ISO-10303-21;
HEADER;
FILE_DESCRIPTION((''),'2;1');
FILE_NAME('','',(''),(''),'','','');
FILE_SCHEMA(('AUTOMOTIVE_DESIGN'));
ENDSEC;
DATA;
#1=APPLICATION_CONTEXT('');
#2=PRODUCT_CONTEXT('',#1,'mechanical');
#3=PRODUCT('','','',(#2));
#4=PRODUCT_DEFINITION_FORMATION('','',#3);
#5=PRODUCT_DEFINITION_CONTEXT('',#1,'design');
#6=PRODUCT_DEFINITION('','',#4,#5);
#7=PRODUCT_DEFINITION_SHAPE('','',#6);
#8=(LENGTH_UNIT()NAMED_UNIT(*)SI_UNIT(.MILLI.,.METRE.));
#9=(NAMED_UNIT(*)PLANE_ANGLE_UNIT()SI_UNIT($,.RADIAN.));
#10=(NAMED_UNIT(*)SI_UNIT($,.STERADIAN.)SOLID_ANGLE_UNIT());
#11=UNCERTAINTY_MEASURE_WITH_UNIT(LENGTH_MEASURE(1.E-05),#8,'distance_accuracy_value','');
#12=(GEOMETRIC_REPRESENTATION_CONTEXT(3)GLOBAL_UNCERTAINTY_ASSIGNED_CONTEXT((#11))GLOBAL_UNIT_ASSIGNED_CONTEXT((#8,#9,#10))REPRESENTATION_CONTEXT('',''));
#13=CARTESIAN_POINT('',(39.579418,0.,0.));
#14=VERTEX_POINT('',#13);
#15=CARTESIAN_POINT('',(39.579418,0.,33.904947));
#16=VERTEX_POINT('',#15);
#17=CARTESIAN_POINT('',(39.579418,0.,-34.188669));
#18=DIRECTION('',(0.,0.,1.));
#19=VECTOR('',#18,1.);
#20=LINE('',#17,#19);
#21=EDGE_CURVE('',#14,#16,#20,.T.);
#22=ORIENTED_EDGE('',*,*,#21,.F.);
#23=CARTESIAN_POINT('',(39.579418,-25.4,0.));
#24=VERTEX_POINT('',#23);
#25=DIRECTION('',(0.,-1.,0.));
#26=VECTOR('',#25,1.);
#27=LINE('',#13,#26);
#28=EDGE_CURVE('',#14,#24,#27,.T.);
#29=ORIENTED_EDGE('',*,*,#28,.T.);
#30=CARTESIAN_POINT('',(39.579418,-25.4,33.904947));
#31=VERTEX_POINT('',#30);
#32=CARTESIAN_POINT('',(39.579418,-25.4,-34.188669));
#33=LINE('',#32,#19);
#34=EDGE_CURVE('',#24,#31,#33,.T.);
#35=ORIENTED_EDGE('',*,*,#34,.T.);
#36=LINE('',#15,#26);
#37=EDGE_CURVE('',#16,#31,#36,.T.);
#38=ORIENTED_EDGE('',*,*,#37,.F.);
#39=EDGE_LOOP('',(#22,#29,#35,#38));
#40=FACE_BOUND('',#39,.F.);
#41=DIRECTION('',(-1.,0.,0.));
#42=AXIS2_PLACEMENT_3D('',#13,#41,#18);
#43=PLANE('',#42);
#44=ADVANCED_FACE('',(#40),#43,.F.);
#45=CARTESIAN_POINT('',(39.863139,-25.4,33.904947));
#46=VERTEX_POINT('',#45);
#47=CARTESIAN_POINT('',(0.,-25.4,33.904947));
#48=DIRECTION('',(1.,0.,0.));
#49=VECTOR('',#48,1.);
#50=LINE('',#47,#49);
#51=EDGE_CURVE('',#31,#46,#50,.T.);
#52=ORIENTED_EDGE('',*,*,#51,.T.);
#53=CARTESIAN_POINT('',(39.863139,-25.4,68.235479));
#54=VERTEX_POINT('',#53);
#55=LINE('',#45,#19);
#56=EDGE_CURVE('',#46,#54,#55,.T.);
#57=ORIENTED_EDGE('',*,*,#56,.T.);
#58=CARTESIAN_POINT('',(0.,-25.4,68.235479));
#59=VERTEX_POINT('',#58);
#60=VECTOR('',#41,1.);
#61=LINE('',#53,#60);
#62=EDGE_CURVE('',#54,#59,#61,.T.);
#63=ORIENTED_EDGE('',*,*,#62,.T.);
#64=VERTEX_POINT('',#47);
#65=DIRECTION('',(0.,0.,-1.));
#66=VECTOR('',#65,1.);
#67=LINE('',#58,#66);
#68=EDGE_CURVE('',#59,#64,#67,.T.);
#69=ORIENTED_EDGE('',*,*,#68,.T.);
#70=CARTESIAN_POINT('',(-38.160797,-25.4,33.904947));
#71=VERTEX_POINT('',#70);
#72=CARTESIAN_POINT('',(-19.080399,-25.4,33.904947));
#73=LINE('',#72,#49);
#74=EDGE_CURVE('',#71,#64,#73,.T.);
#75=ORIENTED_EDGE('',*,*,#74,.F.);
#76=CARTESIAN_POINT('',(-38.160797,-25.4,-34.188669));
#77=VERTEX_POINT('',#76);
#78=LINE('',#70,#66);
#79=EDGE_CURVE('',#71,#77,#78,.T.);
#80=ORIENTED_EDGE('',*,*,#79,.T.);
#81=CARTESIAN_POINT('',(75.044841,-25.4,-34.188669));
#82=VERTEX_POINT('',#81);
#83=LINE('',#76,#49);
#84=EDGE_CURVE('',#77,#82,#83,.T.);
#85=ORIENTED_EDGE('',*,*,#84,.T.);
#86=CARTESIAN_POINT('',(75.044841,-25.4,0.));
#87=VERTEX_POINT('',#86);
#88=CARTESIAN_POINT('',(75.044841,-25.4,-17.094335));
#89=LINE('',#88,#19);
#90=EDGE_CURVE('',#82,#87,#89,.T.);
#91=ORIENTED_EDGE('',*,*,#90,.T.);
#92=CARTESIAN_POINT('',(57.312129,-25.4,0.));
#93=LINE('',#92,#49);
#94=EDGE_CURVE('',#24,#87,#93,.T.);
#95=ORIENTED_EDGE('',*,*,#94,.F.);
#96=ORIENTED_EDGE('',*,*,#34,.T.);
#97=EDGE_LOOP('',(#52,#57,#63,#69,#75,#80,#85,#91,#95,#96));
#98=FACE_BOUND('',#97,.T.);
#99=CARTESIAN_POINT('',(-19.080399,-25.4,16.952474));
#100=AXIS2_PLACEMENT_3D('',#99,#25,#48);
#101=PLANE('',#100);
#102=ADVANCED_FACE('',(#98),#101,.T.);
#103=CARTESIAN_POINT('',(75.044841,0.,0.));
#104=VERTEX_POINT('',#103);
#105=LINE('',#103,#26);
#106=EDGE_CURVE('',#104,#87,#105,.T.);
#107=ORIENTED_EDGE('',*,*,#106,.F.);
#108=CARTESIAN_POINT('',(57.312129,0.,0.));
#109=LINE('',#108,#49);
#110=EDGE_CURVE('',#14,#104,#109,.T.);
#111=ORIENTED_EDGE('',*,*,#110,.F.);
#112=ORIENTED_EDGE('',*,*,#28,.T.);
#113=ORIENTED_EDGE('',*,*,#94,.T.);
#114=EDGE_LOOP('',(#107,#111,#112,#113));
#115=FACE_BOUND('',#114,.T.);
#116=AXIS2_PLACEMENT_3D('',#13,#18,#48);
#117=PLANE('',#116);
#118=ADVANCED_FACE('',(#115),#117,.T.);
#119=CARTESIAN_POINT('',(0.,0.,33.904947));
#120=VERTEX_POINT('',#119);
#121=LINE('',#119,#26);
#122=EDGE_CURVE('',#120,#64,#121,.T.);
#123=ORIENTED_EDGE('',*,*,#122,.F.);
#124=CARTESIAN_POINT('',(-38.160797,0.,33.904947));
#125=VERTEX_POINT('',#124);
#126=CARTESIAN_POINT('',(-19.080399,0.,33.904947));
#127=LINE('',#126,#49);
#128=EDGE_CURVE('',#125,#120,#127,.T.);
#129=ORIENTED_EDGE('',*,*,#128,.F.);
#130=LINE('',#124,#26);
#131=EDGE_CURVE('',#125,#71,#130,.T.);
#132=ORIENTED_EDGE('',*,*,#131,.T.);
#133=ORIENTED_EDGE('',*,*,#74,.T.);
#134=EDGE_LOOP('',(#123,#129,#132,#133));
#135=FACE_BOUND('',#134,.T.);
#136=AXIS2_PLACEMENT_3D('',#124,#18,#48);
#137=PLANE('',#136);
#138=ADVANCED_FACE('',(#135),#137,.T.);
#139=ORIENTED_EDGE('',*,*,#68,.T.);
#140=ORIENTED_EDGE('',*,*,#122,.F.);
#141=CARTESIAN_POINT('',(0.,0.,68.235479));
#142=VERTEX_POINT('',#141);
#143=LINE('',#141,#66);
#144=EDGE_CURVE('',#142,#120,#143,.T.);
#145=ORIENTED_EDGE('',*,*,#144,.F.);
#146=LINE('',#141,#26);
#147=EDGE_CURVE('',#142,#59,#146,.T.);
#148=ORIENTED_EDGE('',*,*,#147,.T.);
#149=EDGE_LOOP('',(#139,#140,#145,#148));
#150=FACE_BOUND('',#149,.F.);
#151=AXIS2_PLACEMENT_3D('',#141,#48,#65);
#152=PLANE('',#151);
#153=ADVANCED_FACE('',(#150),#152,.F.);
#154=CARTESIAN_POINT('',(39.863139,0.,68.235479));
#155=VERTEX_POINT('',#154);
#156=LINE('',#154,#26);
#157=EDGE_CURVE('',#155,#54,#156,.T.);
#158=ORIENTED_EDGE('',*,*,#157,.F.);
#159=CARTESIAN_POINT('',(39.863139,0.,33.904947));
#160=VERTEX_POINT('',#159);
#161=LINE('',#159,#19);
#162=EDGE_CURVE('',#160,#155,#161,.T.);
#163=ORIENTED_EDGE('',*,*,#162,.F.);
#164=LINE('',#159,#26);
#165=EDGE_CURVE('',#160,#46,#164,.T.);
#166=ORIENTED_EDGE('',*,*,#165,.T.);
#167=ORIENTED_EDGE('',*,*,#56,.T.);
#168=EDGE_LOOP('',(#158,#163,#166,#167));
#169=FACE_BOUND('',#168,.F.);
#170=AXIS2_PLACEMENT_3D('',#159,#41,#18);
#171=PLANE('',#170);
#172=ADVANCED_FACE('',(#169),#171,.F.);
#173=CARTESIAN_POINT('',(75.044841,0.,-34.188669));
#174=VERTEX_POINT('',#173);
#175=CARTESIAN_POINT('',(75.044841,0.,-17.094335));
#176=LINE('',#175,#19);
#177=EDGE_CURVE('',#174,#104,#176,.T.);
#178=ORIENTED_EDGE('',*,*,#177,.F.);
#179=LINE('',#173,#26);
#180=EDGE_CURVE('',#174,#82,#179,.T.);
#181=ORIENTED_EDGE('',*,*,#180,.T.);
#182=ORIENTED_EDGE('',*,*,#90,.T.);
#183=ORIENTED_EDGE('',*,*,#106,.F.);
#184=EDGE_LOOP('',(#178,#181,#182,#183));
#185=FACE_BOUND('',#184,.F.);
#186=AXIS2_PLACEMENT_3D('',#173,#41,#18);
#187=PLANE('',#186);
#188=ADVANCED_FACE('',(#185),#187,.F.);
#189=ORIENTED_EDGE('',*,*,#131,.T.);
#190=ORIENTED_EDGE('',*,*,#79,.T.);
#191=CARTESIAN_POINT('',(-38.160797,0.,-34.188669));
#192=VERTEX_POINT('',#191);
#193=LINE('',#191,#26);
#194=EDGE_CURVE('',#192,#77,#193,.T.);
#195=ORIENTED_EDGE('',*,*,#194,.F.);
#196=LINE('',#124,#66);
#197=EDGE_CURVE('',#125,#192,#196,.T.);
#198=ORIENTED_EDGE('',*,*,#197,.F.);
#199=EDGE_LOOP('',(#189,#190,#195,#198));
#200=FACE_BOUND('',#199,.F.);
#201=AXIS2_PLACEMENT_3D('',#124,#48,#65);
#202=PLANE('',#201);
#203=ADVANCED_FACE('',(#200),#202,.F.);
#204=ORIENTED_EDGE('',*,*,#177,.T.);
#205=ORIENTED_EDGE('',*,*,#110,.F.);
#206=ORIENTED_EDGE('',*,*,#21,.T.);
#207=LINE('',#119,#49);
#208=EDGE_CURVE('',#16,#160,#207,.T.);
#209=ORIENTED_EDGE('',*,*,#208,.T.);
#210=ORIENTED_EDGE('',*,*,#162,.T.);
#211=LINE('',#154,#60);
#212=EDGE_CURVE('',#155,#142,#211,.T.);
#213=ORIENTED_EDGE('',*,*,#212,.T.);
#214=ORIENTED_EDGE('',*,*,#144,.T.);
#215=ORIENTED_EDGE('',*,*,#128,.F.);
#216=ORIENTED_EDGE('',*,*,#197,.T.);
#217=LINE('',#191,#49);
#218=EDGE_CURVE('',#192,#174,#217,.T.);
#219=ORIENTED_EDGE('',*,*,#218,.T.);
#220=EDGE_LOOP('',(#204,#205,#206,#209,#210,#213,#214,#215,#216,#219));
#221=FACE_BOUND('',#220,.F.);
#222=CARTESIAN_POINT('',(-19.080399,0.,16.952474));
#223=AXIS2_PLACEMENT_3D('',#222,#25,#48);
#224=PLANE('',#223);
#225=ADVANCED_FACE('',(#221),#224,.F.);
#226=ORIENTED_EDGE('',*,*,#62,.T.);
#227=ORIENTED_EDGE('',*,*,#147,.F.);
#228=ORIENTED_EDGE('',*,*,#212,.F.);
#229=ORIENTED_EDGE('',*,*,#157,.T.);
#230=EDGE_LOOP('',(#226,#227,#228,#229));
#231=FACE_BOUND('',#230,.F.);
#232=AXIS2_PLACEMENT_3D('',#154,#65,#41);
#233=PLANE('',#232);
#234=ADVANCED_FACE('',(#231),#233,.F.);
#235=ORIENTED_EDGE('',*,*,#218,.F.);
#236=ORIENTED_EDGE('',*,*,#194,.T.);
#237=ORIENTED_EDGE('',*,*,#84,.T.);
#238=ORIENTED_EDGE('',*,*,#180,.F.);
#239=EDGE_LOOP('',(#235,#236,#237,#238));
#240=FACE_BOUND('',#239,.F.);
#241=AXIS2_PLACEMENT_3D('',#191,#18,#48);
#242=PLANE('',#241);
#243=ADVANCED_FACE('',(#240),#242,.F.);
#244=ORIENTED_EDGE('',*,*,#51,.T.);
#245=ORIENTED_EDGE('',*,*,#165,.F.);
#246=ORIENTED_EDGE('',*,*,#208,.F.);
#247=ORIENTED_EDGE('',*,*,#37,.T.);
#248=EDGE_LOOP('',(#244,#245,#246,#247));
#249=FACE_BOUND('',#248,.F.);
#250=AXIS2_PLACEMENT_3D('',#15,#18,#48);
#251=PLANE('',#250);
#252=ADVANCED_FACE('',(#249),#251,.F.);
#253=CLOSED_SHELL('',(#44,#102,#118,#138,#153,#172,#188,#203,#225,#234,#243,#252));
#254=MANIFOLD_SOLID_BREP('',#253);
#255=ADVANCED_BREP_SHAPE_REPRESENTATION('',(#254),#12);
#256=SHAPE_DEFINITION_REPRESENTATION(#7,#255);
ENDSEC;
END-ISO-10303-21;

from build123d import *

# Parameters (mm, degrees)
F0_W     = 38.1607972085
F0_H     = 33.9049473405
F0_W_2   = 39.5794175565
F0_H_2   = 34.1886691749
F0_W_3   = 35.4654230177
F1_DEPTH = 25.4


with BuildPart() as f1:
    # F0 (on Front) → F1 (new body)
    with BuildSketch(Plane.XZ):
        with Locations((-19.0803986043, 16.9524736702)):
            Rectangle(F0_W, F0_H)
        Polygon((0, 68.2354792953), (0, 33.9049473405), (39.5794175565, 33.9049473405), (39.8631393909, 33.9049473405), (39.8631393909, 68.2354792953), align=None)
        with Locations((19.7897087783, 16.9524736702)):
            Rectangle(F0_W_2, F0_H)
        with Locations((-19.0803986043, -17.0943345875)):
            Rectangle(F0_W, F0_H_2)
        with Locations((19.7897087783, -17.0943345875)):
            Rectangle(F0_W_2, F0_H_2)
        with Locations((57.3121290654, -17.0943345875)):
            Rectangle(F0_W_3, F0_H_2)
    extrude(amount=F1_DEPTH)


solid = f1.part
